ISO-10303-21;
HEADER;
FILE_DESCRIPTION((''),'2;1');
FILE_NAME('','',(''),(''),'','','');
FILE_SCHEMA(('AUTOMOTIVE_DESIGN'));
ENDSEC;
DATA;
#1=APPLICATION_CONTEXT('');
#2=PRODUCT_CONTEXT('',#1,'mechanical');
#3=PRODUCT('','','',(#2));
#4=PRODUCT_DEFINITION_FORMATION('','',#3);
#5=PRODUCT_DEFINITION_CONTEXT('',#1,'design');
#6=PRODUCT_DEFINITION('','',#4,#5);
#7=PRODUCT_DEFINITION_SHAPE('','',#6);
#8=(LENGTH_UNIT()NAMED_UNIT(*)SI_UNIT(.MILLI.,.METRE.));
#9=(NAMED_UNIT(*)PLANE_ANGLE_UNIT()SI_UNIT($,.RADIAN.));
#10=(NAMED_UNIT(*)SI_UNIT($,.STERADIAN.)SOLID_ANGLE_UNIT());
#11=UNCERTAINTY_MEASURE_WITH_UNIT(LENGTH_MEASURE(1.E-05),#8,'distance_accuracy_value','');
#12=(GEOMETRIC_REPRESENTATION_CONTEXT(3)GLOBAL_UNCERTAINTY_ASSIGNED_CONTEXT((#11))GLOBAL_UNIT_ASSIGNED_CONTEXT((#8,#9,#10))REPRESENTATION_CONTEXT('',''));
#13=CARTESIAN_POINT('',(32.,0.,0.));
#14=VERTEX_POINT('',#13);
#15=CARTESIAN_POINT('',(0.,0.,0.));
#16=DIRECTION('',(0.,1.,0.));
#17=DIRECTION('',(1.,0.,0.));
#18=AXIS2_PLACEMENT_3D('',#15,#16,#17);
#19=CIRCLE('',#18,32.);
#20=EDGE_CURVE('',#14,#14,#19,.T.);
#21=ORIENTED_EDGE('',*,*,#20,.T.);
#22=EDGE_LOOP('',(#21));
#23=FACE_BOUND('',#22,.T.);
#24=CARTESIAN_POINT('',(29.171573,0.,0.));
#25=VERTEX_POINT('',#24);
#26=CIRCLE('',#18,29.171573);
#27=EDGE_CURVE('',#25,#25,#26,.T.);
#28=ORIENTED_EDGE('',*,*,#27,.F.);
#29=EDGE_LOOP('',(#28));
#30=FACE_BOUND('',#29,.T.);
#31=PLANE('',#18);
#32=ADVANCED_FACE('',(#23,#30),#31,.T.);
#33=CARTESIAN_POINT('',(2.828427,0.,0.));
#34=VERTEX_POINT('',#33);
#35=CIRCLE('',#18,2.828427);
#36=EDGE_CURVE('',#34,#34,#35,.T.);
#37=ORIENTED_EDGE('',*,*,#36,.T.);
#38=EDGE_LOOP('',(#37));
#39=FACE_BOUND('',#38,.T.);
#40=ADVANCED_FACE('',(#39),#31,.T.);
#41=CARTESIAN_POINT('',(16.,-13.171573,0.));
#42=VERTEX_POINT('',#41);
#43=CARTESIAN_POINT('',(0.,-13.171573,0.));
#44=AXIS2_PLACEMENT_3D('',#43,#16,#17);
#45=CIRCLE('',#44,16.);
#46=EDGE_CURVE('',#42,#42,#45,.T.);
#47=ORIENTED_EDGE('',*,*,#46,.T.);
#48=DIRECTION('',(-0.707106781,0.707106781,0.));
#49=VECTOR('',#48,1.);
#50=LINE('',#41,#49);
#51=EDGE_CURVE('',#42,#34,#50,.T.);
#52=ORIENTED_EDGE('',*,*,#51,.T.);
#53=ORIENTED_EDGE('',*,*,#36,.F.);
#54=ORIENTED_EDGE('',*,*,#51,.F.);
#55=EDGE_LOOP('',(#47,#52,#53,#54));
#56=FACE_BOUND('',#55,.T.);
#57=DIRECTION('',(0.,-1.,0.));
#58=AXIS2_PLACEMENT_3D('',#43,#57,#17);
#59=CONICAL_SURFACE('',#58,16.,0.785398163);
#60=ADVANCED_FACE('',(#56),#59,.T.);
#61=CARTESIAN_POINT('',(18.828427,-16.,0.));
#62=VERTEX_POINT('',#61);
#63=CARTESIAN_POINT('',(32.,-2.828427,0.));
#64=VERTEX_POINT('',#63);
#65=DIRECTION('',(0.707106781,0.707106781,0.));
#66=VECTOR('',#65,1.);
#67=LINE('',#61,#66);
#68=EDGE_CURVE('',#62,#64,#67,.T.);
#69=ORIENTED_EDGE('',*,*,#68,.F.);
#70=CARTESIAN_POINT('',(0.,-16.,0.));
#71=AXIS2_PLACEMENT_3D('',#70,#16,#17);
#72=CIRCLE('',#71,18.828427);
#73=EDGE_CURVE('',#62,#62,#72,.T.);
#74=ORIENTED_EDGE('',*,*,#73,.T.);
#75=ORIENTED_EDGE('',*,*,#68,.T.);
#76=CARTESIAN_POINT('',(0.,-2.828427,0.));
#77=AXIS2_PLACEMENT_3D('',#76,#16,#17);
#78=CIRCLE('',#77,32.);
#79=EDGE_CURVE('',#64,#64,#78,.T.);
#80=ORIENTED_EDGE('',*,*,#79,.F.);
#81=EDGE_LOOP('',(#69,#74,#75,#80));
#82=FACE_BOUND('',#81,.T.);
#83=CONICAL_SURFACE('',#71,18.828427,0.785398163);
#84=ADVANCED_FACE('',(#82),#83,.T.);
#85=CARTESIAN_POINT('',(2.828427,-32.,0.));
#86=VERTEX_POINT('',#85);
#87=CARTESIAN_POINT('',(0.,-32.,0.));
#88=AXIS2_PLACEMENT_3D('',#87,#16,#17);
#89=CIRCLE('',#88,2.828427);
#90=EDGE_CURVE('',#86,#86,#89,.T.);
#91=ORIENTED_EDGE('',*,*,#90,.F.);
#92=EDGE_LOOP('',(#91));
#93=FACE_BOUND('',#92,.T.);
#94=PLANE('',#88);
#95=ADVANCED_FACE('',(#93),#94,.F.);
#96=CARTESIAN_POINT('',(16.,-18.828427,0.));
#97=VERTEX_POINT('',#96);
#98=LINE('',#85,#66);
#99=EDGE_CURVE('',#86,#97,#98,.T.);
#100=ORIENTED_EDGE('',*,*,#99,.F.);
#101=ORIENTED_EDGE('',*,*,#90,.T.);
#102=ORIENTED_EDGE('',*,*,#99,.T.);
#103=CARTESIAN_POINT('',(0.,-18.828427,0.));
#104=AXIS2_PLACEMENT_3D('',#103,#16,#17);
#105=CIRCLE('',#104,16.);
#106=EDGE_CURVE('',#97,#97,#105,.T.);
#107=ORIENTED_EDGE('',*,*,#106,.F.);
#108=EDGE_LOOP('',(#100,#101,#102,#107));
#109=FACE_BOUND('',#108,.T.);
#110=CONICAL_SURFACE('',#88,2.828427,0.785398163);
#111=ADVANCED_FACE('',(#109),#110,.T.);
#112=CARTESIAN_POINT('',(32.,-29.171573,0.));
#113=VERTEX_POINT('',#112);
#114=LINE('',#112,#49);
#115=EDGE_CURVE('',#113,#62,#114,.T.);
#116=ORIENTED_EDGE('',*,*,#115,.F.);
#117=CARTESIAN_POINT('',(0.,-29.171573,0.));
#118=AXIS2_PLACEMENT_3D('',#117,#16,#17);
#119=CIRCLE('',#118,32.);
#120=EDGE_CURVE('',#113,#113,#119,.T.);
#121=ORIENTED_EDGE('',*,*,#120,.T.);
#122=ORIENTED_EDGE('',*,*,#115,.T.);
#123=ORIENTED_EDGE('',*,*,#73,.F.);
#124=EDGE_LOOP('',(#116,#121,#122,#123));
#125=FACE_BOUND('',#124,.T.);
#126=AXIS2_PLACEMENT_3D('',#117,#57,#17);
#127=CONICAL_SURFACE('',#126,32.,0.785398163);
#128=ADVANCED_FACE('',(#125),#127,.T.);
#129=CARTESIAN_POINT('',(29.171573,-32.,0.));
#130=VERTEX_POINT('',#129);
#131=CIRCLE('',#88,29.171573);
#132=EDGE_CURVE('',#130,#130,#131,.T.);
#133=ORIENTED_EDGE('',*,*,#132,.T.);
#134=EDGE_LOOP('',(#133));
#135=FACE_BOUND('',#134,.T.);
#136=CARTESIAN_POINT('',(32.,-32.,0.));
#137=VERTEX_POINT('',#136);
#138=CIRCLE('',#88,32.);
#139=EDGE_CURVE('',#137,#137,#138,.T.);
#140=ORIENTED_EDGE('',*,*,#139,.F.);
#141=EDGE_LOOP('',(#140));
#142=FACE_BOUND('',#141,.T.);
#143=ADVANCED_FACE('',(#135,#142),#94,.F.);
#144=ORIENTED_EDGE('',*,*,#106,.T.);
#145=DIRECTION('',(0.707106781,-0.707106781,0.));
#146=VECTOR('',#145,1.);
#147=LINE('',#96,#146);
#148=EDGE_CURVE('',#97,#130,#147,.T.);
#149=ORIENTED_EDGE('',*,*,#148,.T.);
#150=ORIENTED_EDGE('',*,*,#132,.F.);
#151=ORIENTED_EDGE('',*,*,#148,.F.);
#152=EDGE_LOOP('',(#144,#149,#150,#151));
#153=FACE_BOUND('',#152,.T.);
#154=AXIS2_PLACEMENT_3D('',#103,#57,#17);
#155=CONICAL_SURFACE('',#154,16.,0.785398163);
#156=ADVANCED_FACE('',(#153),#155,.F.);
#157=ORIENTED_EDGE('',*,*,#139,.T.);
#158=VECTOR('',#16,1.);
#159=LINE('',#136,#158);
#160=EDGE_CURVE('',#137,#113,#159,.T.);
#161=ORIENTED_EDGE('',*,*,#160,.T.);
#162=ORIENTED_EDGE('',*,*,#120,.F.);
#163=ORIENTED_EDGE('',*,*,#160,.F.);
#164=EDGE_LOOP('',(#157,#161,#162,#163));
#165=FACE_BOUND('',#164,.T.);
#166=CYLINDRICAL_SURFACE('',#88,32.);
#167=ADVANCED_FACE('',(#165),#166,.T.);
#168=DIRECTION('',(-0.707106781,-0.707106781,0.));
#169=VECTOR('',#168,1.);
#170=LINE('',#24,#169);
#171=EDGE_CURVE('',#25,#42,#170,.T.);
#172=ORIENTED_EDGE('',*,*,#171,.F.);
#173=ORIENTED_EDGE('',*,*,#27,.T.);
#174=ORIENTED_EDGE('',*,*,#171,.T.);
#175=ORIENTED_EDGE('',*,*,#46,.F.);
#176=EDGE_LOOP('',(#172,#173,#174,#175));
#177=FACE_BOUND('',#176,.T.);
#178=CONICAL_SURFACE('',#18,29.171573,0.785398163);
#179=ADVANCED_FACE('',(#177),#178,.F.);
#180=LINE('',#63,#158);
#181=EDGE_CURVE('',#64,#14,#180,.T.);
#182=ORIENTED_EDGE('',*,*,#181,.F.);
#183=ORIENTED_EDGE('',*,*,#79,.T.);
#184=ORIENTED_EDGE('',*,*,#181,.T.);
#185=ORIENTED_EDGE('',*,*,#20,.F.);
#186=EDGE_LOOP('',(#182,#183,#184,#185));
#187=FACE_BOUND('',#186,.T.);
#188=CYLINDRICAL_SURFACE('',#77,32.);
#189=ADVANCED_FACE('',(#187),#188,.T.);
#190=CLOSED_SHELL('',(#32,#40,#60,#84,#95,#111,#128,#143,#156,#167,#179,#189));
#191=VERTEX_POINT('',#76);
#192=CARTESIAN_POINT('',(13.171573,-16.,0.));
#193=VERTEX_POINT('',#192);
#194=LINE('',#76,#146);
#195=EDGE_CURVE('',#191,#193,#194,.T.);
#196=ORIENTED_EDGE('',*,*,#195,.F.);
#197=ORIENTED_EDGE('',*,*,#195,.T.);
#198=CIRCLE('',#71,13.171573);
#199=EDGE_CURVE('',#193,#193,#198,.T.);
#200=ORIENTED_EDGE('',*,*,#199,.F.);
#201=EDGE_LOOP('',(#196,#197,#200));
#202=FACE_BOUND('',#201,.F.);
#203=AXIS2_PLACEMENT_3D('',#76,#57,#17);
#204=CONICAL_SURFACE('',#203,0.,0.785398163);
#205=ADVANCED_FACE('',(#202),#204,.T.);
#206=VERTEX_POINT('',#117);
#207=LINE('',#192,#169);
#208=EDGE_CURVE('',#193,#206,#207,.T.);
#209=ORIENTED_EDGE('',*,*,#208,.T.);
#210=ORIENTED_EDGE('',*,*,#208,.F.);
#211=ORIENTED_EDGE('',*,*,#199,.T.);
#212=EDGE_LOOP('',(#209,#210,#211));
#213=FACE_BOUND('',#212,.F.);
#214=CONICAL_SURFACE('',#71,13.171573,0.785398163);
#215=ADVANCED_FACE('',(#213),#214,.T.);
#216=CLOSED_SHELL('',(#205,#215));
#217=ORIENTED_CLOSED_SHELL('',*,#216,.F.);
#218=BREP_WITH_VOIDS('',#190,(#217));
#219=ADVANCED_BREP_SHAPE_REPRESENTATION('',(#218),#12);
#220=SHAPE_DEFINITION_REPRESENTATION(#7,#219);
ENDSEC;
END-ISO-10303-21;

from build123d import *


with BuildPart() as f1:
    # F0 (on Top) → F1 (revolve)
    with BuildSketch(Plane.XY):
        Polygon((2.828427, 0), (0, 0), (0, -2.828427), (13.171573, -16), (0, -29.171573), (0, -32), (2.828427, -32), (16, -18.828427), (29.171573, -32), (32, -32), (32, -29.171573), (18.828427, -16), (32, -2.828427), (32, 0), (29.171573, 0), (16, -13.171573), align=None)
    revolve(axis=Axis((0, -1.414214, 0), (0, 1, 0)))


solid = f1.part
